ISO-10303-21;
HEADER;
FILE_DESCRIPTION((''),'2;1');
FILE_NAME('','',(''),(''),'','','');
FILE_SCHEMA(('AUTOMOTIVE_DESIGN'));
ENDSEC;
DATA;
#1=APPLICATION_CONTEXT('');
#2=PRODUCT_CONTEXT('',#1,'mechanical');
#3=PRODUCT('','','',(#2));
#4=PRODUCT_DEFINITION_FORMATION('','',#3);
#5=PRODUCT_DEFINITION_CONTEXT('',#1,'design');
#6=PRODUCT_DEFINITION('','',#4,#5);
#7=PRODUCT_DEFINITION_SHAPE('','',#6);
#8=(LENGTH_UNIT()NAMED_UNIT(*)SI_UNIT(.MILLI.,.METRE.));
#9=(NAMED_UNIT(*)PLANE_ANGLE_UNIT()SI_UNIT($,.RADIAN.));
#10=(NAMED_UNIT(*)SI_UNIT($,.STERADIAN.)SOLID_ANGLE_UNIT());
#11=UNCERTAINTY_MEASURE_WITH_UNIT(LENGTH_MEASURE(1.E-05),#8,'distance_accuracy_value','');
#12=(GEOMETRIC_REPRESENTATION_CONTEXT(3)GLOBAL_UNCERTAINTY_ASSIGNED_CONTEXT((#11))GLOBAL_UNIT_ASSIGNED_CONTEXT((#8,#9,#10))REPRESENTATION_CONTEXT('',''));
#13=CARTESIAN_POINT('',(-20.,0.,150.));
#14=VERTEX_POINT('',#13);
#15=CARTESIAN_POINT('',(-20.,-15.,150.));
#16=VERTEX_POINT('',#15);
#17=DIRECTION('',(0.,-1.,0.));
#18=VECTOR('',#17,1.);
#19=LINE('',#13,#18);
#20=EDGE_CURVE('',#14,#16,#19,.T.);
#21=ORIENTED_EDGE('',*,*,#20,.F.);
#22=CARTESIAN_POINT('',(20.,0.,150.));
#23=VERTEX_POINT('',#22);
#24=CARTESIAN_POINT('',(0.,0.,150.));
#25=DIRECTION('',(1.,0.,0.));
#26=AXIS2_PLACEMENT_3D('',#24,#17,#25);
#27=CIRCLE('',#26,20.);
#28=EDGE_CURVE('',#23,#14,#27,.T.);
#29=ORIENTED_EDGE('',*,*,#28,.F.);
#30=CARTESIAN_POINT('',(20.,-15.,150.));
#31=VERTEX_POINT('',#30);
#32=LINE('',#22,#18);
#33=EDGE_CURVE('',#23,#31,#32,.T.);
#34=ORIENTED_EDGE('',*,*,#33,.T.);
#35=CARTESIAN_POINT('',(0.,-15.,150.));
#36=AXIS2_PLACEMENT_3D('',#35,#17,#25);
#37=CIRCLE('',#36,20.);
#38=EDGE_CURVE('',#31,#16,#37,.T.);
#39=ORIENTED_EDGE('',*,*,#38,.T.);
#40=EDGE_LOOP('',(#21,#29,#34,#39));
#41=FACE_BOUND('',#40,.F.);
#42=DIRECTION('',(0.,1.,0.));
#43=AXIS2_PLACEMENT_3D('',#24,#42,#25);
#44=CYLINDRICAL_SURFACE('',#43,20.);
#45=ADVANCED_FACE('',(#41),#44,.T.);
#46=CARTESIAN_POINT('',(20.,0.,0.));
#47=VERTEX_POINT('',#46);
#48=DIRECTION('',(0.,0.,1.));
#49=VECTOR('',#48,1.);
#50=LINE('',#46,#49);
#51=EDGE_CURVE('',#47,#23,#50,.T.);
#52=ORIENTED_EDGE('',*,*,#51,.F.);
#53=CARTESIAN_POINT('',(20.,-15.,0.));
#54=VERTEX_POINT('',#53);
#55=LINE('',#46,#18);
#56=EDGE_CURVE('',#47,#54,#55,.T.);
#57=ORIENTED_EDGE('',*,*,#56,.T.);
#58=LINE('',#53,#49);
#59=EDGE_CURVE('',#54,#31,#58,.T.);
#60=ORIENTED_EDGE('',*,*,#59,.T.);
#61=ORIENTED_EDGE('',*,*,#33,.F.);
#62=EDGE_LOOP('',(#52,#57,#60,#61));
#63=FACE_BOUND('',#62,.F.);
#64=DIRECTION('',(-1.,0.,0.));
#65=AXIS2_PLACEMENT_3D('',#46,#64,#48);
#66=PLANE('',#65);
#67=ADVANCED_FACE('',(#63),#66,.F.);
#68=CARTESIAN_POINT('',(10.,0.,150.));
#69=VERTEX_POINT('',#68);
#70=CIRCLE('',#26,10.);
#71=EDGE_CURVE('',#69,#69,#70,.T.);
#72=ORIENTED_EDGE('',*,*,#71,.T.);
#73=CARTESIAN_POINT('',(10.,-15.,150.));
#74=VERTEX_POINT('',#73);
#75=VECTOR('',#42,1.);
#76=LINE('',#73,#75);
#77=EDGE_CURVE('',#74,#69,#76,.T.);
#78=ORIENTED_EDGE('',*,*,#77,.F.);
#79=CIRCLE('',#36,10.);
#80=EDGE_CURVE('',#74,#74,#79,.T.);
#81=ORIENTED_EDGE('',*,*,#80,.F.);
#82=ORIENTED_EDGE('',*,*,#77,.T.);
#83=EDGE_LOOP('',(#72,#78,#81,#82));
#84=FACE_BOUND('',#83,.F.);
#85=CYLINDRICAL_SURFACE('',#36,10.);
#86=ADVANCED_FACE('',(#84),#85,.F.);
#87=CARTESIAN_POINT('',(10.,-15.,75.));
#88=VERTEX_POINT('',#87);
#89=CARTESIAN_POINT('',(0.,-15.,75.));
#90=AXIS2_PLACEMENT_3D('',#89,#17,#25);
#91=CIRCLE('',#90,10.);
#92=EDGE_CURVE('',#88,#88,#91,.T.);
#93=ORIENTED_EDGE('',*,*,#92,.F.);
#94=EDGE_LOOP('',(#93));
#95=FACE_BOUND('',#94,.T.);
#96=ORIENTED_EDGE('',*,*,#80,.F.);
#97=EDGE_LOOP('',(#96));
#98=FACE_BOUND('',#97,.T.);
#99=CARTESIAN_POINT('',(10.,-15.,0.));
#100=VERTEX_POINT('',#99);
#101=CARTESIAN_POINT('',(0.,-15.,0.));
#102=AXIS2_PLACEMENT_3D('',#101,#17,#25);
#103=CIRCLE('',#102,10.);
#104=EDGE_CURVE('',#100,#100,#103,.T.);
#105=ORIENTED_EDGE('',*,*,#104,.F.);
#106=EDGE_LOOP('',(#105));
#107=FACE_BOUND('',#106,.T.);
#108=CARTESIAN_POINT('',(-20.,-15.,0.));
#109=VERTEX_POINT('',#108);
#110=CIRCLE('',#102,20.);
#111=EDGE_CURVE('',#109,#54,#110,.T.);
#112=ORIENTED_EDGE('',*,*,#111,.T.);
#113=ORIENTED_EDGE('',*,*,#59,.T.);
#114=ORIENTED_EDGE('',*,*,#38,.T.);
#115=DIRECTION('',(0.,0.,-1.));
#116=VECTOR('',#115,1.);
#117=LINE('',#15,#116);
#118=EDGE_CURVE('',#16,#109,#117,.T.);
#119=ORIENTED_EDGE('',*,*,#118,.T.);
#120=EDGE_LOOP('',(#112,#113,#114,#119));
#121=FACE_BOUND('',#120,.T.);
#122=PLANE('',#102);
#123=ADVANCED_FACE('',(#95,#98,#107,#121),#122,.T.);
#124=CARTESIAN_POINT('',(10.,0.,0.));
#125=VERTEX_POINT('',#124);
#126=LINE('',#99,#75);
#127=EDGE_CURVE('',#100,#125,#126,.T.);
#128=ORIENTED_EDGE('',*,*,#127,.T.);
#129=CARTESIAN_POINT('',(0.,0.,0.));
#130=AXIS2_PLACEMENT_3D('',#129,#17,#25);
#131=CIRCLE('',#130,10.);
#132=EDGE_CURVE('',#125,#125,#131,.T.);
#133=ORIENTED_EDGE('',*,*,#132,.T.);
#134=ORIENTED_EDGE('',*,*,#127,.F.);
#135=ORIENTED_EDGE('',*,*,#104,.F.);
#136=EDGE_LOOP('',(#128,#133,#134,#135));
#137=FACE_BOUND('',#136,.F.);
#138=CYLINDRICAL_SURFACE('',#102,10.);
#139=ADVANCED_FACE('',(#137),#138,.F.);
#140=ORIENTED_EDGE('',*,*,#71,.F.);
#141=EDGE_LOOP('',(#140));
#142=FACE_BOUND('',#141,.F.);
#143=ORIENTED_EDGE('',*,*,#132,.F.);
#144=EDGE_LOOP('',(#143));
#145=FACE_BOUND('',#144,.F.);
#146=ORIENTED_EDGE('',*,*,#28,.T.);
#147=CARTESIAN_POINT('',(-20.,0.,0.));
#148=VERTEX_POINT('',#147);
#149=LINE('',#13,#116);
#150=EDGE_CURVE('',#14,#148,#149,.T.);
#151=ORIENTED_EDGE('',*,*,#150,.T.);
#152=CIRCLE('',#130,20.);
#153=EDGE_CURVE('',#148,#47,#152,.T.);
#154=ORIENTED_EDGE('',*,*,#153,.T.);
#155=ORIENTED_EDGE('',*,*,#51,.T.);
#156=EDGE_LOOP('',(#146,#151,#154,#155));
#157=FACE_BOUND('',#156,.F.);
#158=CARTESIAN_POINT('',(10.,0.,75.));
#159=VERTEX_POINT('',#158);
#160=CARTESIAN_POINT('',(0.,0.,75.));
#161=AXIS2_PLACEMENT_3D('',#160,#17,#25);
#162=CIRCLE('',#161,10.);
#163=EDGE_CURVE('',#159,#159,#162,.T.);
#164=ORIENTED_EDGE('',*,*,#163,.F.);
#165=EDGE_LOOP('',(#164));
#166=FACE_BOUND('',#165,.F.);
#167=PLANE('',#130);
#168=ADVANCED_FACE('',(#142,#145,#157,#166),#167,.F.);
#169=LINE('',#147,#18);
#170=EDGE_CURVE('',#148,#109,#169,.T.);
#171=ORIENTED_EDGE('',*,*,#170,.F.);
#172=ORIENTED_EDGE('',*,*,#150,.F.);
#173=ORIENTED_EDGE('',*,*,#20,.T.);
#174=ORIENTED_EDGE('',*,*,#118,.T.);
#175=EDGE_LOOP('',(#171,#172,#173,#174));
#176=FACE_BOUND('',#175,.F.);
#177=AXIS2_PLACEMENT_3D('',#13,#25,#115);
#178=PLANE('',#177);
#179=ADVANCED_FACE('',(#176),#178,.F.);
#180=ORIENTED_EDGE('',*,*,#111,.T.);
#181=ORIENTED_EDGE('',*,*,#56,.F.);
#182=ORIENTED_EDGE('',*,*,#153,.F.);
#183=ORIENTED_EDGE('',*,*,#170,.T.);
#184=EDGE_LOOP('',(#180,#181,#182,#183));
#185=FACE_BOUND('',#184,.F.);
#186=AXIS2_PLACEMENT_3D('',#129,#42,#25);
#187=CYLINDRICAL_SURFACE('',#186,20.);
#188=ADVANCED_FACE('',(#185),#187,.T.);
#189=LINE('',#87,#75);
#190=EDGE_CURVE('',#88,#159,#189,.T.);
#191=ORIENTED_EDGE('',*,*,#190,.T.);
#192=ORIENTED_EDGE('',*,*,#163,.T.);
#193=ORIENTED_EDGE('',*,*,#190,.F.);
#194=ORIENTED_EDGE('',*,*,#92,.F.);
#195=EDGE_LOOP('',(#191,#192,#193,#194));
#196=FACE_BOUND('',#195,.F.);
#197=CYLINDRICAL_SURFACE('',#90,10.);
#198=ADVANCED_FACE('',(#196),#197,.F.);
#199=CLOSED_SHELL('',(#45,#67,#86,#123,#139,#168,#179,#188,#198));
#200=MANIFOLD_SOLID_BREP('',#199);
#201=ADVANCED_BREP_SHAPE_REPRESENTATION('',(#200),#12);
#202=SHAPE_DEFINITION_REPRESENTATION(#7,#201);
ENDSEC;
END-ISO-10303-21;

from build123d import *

# Parameters (mm, degrees)
F1_DEPTH = 15
F2_R     = 10
F3_DEPTH = 25
F4_R     = 10
F5_DEPTH = 25


with BuildPart() as f1:
    # F0 (on Front) → F1 (new body)
    with BuildSketch(Plane.XZ):
        with BuildLine():
            ThreePointArc((-20, 0), (0, -20), (20, 0))
            ThreePointArc((20, 0), (0, 20), (-20, 0))
        make_face()
        with BuildLine():
            ThreePointArc((-20, 0), (0, 20), (20, 0))
            Line((20, 0), (20, 150))
            ThreePointArc((20, 150), (0, 130), (-20, 150))
            Line((-20, 150), (-20, 0))
        make_face()
        with BuildLine():
            ThreePointArc((-20, 150), (0, 130), (20, 150))
            ThreePointArc((20, 150), (0, 170), (-20, 150))
        make_face()
    extrude(amount=F1_DEPTH)

    # F2 (on face) → F3 (cut)
    with BuildSketch(Plane.XZ.offset(15)):
        with Locations((0, 150)):
            Circle(F2_R)
        Circle(F2_R)
    extrude(amount=-F3_DEPTH, mode=Mode.SUBTRACT)

    # F4 (on face) → F5 (cut)
    with BuildSketch(Plane.XZ.offset(15)):
        with Locations((0, 75)):
            Circle(F4_R)
    extrude(amount=-F5_DEPTH, mode=Mode.SUBTRACT)


solid = f1.part
